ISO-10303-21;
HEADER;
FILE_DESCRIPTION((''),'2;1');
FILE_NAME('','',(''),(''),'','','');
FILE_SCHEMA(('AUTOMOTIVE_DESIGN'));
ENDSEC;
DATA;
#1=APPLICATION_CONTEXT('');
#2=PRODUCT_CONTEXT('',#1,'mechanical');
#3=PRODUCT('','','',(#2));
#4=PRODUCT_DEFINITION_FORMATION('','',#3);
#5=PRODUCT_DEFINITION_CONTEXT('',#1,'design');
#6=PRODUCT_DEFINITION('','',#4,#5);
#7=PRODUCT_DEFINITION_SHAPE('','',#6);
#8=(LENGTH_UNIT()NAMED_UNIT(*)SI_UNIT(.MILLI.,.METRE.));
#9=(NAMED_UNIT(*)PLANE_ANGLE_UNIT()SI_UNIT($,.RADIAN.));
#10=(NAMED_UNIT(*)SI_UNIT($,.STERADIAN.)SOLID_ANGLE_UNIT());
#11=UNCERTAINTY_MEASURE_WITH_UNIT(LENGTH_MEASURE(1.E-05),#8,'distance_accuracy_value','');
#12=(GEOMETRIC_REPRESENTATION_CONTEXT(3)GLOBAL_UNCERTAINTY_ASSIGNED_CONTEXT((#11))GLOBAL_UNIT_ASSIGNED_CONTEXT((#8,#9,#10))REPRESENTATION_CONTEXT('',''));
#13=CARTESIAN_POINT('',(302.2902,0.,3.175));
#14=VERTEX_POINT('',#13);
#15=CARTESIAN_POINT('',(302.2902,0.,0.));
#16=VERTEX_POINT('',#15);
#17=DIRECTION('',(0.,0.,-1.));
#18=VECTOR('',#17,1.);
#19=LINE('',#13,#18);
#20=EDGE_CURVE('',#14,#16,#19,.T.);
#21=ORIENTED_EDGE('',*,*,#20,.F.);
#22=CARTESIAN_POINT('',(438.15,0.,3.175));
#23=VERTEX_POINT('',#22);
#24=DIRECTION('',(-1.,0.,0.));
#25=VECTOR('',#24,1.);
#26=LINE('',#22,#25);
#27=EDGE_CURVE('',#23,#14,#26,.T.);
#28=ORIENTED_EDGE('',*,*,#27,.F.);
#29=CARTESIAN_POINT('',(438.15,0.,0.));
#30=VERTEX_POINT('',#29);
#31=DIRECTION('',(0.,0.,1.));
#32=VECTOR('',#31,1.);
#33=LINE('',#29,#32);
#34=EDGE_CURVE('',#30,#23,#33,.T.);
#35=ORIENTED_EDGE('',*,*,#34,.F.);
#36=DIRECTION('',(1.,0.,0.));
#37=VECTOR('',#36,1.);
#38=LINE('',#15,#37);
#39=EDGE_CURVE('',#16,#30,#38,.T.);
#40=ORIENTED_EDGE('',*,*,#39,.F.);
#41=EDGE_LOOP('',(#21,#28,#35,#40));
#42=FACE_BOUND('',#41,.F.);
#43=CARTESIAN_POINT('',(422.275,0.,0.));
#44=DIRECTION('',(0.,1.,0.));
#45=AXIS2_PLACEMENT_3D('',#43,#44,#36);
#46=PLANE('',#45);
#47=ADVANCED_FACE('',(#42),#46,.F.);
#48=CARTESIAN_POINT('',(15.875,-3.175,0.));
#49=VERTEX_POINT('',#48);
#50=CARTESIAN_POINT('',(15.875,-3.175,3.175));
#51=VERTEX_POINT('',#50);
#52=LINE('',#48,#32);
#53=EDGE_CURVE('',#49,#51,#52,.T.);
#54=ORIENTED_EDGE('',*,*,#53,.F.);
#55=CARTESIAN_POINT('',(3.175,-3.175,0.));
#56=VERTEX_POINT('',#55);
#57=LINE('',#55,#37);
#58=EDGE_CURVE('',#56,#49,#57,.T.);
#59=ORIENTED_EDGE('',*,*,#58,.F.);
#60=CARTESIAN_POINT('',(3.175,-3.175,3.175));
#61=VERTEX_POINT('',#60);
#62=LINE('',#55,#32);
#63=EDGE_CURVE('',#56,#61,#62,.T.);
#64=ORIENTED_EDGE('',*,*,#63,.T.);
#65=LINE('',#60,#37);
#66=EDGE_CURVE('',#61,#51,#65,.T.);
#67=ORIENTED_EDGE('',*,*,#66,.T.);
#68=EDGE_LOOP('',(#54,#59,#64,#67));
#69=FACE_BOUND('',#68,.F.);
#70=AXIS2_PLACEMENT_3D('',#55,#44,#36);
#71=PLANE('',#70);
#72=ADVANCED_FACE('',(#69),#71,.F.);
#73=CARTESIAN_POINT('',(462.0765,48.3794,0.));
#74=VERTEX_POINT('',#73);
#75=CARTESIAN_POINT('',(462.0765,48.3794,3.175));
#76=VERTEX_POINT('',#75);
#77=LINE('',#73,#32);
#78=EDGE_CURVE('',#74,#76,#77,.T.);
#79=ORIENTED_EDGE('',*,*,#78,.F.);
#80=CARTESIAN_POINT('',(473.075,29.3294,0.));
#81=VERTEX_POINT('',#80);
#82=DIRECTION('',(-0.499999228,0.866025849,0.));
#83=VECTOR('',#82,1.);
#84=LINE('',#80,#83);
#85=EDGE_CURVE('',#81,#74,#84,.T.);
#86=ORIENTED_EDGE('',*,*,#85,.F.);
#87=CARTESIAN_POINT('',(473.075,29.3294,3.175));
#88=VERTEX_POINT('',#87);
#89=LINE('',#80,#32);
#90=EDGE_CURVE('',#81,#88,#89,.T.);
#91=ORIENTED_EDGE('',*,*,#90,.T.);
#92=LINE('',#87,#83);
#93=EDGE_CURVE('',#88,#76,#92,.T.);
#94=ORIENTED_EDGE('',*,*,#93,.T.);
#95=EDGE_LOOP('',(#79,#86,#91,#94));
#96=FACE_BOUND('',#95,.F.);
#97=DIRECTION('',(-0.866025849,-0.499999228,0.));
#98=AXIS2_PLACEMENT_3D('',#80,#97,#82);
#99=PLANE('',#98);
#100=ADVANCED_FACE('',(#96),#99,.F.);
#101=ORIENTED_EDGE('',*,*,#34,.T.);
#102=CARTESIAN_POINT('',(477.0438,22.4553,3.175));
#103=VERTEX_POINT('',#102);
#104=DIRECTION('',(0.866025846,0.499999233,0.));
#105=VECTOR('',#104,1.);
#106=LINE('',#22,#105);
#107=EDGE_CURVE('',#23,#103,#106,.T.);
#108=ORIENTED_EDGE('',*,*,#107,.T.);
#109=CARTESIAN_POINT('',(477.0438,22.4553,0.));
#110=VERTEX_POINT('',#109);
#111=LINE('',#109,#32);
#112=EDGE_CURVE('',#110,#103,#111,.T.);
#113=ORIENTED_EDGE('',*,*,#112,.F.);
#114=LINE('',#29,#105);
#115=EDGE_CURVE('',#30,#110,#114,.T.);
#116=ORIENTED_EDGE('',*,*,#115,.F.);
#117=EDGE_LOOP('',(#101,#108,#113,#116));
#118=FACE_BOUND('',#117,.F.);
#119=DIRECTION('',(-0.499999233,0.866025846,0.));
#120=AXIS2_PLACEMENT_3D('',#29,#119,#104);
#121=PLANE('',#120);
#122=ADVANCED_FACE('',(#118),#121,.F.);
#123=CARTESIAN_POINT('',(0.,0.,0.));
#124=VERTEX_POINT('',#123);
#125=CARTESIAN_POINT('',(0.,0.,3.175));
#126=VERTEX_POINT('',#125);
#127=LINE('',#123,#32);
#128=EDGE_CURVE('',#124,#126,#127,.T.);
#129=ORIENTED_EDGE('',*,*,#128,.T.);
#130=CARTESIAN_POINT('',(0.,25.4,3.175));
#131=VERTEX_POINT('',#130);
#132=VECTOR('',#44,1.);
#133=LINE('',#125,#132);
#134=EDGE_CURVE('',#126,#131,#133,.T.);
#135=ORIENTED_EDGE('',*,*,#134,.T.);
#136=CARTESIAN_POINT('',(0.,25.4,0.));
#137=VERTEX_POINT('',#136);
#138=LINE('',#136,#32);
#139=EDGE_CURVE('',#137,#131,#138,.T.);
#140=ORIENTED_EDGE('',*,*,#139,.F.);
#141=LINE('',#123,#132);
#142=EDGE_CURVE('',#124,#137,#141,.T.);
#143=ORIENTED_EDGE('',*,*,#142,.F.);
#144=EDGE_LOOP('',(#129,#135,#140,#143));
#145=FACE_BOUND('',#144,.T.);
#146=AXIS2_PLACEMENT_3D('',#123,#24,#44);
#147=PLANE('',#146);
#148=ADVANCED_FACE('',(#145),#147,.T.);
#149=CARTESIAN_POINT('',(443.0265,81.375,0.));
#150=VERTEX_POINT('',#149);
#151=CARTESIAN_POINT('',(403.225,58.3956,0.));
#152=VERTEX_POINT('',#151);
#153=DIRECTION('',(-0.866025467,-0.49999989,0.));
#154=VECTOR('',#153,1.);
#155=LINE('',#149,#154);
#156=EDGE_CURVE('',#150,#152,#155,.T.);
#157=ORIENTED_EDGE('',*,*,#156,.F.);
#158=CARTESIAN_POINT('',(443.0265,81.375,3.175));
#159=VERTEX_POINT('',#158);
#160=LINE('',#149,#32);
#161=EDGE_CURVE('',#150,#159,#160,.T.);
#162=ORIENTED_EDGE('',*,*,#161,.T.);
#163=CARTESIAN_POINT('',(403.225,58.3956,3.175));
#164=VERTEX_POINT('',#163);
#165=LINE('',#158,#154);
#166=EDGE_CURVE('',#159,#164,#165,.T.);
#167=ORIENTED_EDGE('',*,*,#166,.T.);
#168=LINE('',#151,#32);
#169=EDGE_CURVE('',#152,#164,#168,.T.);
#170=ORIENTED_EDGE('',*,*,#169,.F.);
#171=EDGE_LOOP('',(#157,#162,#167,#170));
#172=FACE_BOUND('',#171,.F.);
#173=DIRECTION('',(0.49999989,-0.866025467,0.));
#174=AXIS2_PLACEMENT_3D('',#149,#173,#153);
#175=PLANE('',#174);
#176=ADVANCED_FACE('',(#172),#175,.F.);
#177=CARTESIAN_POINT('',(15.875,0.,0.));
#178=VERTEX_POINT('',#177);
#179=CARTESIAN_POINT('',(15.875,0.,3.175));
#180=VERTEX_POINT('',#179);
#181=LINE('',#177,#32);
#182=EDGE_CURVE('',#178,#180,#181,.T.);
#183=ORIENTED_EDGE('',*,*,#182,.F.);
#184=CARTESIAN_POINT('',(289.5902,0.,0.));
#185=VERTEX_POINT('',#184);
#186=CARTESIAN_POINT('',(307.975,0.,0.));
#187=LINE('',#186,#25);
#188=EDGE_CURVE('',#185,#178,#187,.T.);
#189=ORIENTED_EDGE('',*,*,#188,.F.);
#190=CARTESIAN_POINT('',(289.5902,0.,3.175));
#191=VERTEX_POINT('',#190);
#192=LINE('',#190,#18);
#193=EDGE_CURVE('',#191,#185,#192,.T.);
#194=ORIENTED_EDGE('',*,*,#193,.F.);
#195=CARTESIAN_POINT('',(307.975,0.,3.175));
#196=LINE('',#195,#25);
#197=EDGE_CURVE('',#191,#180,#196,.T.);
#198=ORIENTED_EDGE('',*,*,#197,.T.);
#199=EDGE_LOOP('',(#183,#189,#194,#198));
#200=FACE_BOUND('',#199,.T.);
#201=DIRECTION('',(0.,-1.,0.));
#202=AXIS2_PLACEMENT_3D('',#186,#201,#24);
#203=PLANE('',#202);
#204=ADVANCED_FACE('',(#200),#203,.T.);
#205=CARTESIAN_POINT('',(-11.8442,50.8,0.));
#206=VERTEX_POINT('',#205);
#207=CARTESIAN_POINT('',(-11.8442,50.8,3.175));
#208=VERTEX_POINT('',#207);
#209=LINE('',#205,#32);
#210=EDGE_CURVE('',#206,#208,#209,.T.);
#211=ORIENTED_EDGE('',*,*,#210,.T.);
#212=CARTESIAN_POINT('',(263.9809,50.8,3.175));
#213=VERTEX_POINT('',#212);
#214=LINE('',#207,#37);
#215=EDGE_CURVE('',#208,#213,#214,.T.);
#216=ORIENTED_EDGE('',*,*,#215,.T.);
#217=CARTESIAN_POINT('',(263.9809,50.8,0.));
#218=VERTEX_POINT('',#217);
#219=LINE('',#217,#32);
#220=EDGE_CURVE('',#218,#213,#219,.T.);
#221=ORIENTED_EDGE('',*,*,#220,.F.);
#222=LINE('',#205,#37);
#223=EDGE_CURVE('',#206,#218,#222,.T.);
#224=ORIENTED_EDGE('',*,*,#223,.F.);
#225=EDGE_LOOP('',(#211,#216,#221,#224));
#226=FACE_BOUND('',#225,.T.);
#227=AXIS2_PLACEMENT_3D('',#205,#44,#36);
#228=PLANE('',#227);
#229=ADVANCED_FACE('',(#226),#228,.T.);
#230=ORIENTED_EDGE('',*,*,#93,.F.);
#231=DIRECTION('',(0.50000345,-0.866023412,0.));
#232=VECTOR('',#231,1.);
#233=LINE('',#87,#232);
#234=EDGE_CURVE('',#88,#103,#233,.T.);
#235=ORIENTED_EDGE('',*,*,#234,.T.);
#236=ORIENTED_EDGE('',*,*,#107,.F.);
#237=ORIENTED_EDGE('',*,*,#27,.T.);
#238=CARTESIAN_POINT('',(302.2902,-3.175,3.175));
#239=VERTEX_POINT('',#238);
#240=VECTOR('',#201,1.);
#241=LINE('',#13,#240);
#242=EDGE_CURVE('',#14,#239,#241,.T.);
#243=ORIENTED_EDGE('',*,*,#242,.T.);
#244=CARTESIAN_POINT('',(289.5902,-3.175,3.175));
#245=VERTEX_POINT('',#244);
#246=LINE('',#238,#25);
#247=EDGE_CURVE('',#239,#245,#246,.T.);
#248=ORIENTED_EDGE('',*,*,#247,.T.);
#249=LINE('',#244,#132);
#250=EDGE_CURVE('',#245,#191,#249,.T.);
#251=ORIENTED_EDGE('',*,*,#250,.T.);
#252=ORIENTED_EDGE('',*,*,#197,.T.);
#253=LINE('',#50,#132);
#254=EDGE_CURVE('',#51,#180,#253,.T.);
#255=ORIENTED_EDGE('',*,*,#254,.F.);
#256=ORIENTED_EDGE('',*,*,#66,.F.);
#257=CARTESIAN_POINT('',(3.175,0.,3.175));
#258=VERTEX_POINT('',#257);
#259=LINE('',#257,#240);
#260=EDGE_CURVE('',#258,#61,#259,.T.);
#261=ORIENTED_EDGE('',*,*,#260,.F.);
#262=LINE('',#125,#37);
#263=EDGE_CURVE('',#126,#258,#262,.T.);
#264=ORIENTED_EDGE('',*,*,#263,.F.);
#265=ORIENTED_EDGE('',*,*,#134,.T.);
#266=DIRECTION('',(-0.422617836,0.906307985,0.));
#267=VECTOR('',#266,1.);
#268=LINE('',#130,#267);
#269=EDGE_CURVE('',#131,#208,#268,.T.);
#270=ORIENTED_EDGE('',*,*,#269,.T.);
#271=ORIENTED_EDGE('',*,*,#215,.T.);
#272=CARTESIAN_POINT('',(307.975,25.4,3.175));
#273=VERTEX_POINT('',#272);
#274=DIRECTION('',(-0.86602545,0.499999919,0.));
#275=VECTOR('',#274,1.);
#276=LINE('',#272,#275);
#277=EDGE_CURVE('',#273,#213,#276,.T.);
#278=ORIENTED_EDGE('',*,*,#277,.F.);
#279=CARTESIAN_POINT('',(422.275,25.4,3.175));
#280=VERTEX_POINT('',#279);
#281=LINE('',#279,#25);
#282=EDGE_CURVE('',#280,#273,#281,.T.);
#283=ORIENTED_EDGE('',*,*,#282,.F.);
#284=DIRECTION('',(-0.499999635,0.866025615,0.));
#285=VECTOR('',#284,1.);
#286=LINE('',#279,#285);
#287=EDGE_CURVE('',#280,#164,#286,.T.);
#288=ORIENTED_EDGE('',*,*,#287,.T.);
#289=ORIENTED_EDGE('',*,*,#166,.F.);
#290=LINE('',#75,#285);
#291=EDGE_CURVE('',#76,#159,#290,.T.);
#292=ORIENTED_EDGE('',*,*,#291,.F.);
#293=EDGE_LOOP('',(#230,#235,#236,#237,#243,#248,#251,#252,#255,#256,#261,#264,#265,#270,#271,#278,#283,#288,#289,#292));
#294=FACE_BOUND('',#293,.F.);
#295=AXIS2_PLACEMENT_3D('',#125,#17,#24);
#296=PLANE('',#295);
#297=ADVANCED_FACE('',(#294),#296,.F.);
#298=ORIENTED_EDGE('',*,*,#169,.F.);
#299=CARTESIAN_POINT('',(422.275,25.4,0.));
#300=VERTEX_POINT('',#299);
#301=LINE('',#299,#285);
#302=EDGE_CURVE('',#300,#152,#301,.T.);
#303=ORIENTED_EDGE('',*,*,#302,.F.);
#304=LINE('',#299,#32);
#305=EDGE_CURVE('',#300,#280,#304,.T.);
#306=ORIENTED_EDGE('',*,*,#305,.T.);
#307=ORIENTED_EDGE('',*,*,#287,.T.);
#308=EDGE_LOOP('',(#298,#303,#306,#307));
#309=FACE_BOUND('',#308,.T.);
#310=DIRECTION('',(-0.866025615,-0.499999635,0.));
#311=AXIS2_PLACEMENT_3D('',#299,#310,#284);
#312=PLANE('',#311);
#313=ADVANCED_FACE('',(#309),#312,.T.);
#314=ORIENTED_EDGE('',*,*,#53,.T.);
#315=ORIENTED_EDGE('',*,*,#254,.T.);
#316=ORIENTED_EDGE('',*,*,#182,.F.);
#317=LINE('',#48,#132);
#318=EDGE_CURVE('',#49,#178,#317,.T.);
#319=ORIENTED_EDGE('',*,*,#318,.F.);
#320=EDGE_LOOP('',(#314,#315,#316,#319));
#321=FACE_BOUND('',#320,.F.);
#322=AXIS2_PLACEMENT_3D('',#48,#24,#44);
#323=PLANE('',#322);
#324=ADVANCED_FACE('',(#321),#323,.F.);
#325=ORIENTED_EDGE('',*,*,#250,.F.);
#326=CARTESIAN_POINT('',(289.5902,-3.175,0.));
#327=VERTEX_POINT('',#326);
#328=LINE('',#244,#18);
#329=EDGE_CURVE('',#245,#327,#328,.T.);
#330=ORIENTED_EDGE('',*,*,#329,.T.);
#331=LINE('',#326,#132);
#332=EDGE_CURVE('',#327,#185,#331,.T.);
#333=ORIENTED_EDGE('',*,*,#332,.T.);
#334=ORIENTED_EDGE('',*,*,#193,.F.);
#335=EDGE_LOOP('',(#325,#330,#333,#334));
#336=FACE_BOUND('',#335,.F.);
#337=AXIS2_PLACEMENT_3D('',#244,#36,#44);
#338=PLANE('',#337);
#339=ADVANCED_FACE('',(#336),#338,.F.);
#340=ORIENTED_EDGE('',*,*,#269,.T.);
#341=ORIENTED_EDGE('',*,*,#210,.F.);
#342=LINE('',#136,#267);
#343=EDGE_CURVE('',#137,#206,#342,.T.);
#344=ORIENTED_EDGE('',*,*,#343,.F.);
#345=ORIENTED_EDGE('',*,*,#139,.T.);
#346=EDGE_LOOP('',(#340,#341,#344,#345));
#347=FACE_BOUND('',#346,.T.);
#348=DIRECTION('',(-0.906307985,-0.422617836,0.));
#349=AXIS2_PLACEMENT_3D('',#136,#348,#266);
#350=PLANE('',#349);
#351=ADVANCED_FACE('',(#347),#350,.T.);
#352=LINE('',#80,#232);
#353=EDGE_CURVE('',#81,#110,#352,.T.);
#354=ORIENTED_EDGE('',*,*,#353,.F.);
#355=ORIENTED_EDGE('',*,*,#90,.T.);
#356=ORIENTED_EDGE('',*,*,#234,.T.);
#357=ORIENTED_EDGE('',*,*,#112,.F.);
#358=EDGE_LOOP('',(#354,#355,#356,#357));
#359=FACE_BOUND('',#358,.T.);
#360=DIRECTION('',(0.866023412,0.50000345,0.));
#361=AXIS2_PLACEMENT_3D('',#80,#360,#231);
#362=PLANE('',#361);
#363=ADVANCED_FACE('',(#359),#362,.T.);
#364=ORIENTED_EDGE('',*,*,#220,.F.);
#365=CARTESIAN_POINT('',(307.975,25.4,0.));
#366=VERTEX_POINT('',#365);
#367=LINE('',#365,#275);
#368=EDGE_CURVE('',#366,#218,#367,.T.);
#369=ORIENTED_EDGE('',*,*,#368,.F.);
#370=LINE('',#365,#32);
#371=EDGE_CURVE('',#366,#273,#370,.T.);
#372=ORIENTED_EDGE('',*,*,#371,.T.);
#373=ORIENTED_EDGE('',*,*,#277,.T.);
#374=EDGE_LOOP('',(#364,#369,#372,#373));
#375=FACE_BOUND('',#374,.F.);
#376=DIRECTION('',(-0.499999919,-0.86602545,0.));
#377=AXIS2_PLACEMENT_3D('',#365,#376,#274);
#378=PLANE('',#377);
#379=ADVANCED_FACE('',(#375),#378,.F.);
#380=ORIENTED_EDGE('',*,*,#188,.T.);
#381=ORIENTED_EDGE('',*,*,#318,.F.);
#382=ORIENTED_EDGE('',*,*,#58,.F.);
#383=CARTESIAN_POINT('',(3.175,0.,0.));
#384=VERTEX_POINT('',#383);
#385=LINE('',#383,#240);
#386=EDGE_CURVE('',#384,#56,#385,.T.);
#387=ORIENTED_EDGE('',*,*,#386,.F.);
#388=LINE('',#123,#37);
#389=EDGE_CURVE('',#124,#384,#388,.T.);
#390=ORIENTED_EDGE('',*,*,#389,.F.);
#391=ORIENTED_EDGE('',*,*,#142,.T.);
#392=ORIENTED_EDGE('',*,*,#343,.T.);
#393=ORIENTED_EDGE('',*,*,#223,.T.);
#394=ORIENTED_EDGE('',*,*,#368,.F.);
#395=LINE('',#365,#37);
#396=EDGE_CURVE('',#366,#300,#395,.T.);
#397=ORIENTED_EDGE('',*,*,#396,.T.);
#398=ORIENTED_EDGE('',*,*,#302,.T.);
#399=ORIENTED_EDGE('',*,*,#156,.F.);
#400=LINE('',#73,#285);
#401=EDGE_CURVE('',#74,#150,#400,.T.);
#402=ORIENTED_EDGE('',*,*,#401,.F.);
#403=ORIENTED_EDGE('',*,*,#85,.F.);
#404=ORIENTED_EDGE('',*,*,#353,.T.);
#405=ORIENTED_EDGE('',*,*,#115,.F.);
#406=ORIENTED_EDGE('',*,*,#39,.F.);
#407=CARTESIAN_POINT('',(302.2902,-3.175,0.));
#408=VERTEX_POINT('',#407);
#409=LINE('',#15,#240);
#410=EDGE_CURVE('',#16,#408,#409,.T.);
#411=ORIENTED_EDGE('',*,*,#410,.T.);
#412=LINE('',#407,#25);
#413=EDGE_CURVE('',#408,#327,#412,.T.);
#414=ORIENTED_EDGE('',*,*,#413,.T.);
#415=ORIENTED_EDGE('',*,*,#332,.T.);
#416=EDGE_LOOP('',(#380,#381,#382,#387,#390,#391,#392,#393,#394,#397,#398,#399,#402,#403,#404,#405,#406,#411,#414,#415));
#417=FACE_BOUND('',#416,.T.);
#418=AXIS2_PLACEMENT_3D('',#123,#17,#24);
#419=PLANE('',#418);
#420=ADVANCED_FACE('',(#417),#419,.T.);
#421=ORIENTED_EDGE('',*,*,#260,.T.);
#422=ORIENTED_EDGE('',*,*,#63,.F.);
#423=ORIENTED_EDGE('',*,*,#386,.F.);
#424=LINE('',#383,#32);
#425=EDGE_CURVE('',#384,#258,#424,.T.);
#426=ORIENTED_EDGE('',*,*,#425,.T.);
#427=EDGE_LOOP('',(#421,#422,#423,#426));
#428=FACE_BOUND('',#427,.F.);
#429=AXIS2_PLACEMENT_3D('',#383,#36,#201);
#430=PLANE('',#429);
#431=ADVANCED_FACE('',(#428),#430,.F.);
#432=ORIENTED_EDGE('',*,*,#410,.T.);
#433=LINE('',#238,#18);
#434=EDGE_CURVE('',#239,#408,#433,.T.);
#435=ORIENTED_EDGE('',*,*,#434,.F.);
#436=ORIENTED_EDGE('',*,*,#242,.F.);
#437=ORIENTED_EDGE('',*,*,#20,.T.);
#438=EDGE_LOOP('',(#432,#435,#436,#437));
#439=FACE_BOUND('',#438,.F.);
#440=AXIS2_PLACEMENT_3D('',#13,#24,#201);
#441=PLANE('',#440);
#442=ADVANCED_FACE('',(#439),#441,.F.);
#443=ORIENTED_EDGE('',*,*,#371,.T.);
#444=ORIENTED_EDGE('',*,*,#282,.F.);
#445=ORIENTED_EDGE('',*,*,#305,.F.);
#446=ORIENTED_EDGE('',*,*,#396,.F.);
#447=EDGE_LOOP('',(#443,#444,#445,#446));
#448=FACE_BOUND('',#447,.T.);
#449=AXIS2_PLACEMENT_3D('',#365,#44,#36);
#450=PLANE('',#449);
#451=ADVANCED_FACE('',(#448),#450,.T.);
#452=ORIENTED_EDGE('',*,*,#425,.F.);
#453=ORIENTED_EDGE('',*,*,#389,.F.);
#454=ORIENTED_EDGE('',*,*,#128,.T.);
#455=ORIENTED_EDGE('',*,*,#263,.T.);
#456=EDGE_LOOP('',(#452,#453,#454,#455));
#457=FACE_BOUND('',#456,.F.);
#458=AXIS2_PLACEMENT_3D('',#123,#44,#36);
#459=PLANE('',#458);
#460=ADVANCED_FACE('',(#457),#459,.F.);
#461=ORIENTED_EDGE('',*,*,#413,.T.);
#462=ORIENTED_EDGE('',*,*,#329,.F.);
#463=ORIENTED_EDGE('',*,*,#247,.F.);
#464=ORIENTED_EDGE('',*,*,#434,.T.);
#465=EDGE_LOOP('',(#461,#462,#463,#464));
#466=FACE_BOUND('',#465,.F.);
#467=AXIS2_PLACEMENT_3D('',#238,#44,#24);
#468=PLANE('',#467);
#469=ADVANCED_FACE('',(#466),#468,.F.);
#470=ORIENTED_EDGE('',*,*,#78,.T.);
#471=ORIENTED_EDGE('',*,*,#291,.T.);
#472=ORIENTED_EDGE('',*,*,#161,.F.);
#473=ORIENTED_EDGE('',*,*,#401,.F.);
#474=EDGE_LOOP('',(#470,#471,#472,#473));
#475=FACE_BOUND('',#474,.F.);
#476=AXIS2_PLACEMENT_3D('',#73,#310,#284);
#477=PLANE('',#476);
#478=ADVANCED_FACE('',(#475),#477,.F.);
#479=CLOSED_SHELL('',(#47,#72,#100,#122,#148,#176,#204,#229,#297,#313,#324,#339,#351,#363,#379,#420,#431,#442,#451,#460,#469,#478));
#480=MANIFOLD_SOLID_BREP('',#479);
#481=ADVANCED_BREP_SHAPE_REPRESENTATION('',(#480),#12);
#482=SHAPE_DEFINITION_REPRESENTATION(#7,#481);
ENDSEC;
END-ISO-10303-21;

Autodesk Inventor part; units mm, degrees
ref_plane "YZ Plane" through (0, 0, 0) normal (1, 0, 0) x (0, 1, 0)
ref_plane "XZ Plane" through (0, 0, 0) normal (0, 1, 0) x (-1, 0, 0)
ref_plane "XY Plane" through (0, 0, 0) normal (0, 0, 1) x (1, 0, 0)
sketch "Sketch1" plane through (0, 0, 0) normal (0, 0, 1) x (1, 0, 0)
  line L0 (0, 0) -> (3.175, 0)
  line L1 (3.175, 0) -> (3.175, -3.175)
  line L2 (3.175, -3.175) -> (15.875, -3.175)
  line L3 (15.875, -3.175) -> (15.875, 0)
  line L4 (0, 0) -> (0, 25.4)
  line L5 (307.975, 0) -> (15.875, 0)
  line L6 (0, 25.4) -> (-11.8442, 50.8)
  line L7 (307.975, 25.4) -> (263.9809, 50.8)
  line L8 (-11.8442, 50.8) -> (263.9809, 50.8)
  line L9 (358.775, 0) -> (422.275, 0)
  line L10 (307.975, 0) -> (358.775, 0)
  line L11 (307.975, 25.4) -> (384.175, 25.4)
  line L12 (384.175, 241.3) -> (422.275, 241.3)
  line L13 (588.0391, 190.1261) -> (586.2287, 190.1261) projected
  line L14 (586.2287, 218.7011) -> (586.2287, 190.1261) projected
  line L15 (588.0391, 218.7011) -> (586.2287, 218.7011) projected
  line L16 (588.0391, 190.1261) -> (588.0391, 218.7011) projected
  line L17 (588.0391, 38.1) -> (586.2287, 38.1) projected
  line L18 (586.2287, 177.4261) -> (586.2287, 38.1) projected
  line L19 (586.2287, 177.4261) -> (588.0391, 177.4261) projected
  line L20 (588.0391, 38.1) -> (588.0391, 177.4261) projected
  line L21 (588.0391, 190.1261) -> (588.0391, 218.7011) projected
  line L22 (588.0391, 190.1261) -> (586.2287, 190.1261) projected
  line L23 (586.2287, 218.7011) -> (586.2287, 190.1261) projected
  line L24 (588.0391, 218.7011) -> (586.2287, 218.7011) projected
  line L25 (588.0391, 190.1261) -> (588.0391, 218.7011) projected
  line L26 (431.5435, 218.7011) -> (431.5435, 12.7) projected
  line L27 (431.5435, 218.7011) -> (429.7331, 218.7011) projected
  line L28 (429.7331, 12.7) -> (429.7331, 218.7011) projected
  line L29 (431.5435, 12.7) -> (429.7331, 12.7) projected
  line L30 (384.175, 25.4) -> (422.275, 25.4)
  line L31 (422.275, 0) -> (422.275, 25.4)
  dimension "d0" = 3.175
  dimension "d1" = 3.175
  dimension "d2" = 12.7
  dimension "d3" = 25.4
  dimension "d4" = 307.975
  dimension "d12" = 25.4
  dimension "d13" = 25
  dimension "d17" = 25.4
  dimension "d19" = 150
  dimension "d21" = 25.4
  dimension "d25" = 0
  dimension "d36" = 215.9
  dimension "d37" = 38.1
  dimension "d44" = 76.2
extrude "Extrusion1" add sketch "Sketch1" along normal blind 3.175 contours L4 L6 L8 L7 L11 L30 L31 L9 L10 L5 L3 L2 L1 L0
sketch "Sketch2" plane through (0, 0, 3.175) normal (0, 0, 1) x (1, 0, 0)
  line L0 (289.5902, 0) -> (302.2902, 0) projected
  line L1 (289.5902, -3.175) -> (289.5902, 0) projected
  line L2 (302.2902, -3.175) -> (289.5902, -3.175) projected
  line L3 (302.2902, 0) -> (302.2902, -3.175) projected
extrude "Extrusion2" add sketch "Sketch2" against normal blind 3.175
sketch "Sketch6" plane through (0, 0, 0) normal (0, 0, -1) x (-1, 0, 0)
  line L0 (-422.275, 0) -> (-422.275, 50.8) projected
  line L1 (-422.275, 0) -> (-473.075, 29.3294)
  line L2 (-462.0765, 48.3794) -> (-422.275, 25.4)
  line L3 (-473.075, 29.3294) -> (-462.0765, 48.3794)
  point P0 (-407.9875, 50.8)
  dimension "d53" = 60
extrude "Extrusion6" add sketch "Sketch6" against normal blind 3.175
sketch "Sketch7" plane through (0, 0, 0) normal (0, 0, -1) x (-1, 0, 0)
  line L0 (-473.075, 29.3294) -> (-422.275, 0) projected
  line L1 (-3.175, 0) -> (-3.175, -3.175) projected
  line L2 (-422.275, 0) -> (-438.15, 0)
  line L3 (-438.15, 0) -> (-477.0438, 22.4553)
  line L4 (-473.075, 29.3294) -> (-477.0438, 22.4553)
  dimension "d58" = 15.875
extrude "Extrusion7" add sketch "Sketch7" against normal blind 3.175
sketch "Sketch8" plane through (0, 0, 0) normal (0, 0, -1) x (-1, 0, 0)
  line L0 (-422.275, 25.4) -> (-462.0765, 48.3794) projected
  line L1 (-477.0438, 22.4553) -> (-438.15, 0) projected
  line L2 (-422.275, 25.4) -> (-403.225, 58.3956)
  line L3 (-462.0765, 48.3794) -> (-443.0265, 81.375)
  line L4 (-443.0265, 81.375) -> (-403.225, 58.3956)
  dimension "d61" = 38.1
  dimension "d62" = 38.1
extrude "Extrusion8" add sketch "Sketch8" against normal blind 3.175
sketch "Sketch9" plane through (0, 0, 3.175) normal (0, 0, 1) x (1, 0, 0)
  line L0 (0, 0) -> (3.175, 0) projected
  line L1 (3.175, 0) -> (3.175, -3.175) projected
  line L2 (3.175, -3.175) -> (15.875, -3.175) projected
  line L3 (15.875, -3.175) -> (15.875, 0) projected
  line L4 (15.875, 0) -> (289.5902, 0) projected
  line L5 (289.5902, 0) -> (289.5902, -3.175) projected
  line L6 (289.5902, -3.175) -> (302.2902, -3.175) projected
  line L7 (302.2902, -3.175) -> (302.2902, 0) projected
  line L8 (302.2902, 0) -> (438.15, 0) projected
  line L9 (438.15, 0) -> (477.0438, 22.4553) projected
  line L10 (477.0438, 22.4553) -> (443.0265, 81.375) projected
  line L11 (443.0265, 81.375) -> (403.225, 58.3956) projected
  line L12 (403.225, 58.3956) -> (422.275, 25.4) projected
  line L13 (422.275, 25.4) -> (307.975, 25.4) projected
  line L14 (307.975, 25.4) -> (263.9809, 50.8) projected
  line L15 (263.9809, 50.8) -> (-11.8442, 50.8) projected
  line L16 (-11.8442, 50.8) -> (0, 25.4) projected
  line L17 (0, 25.4) -> (0, 0) projected
properties part number "Side Wall 2" material "Polycarbonate, Clear"
